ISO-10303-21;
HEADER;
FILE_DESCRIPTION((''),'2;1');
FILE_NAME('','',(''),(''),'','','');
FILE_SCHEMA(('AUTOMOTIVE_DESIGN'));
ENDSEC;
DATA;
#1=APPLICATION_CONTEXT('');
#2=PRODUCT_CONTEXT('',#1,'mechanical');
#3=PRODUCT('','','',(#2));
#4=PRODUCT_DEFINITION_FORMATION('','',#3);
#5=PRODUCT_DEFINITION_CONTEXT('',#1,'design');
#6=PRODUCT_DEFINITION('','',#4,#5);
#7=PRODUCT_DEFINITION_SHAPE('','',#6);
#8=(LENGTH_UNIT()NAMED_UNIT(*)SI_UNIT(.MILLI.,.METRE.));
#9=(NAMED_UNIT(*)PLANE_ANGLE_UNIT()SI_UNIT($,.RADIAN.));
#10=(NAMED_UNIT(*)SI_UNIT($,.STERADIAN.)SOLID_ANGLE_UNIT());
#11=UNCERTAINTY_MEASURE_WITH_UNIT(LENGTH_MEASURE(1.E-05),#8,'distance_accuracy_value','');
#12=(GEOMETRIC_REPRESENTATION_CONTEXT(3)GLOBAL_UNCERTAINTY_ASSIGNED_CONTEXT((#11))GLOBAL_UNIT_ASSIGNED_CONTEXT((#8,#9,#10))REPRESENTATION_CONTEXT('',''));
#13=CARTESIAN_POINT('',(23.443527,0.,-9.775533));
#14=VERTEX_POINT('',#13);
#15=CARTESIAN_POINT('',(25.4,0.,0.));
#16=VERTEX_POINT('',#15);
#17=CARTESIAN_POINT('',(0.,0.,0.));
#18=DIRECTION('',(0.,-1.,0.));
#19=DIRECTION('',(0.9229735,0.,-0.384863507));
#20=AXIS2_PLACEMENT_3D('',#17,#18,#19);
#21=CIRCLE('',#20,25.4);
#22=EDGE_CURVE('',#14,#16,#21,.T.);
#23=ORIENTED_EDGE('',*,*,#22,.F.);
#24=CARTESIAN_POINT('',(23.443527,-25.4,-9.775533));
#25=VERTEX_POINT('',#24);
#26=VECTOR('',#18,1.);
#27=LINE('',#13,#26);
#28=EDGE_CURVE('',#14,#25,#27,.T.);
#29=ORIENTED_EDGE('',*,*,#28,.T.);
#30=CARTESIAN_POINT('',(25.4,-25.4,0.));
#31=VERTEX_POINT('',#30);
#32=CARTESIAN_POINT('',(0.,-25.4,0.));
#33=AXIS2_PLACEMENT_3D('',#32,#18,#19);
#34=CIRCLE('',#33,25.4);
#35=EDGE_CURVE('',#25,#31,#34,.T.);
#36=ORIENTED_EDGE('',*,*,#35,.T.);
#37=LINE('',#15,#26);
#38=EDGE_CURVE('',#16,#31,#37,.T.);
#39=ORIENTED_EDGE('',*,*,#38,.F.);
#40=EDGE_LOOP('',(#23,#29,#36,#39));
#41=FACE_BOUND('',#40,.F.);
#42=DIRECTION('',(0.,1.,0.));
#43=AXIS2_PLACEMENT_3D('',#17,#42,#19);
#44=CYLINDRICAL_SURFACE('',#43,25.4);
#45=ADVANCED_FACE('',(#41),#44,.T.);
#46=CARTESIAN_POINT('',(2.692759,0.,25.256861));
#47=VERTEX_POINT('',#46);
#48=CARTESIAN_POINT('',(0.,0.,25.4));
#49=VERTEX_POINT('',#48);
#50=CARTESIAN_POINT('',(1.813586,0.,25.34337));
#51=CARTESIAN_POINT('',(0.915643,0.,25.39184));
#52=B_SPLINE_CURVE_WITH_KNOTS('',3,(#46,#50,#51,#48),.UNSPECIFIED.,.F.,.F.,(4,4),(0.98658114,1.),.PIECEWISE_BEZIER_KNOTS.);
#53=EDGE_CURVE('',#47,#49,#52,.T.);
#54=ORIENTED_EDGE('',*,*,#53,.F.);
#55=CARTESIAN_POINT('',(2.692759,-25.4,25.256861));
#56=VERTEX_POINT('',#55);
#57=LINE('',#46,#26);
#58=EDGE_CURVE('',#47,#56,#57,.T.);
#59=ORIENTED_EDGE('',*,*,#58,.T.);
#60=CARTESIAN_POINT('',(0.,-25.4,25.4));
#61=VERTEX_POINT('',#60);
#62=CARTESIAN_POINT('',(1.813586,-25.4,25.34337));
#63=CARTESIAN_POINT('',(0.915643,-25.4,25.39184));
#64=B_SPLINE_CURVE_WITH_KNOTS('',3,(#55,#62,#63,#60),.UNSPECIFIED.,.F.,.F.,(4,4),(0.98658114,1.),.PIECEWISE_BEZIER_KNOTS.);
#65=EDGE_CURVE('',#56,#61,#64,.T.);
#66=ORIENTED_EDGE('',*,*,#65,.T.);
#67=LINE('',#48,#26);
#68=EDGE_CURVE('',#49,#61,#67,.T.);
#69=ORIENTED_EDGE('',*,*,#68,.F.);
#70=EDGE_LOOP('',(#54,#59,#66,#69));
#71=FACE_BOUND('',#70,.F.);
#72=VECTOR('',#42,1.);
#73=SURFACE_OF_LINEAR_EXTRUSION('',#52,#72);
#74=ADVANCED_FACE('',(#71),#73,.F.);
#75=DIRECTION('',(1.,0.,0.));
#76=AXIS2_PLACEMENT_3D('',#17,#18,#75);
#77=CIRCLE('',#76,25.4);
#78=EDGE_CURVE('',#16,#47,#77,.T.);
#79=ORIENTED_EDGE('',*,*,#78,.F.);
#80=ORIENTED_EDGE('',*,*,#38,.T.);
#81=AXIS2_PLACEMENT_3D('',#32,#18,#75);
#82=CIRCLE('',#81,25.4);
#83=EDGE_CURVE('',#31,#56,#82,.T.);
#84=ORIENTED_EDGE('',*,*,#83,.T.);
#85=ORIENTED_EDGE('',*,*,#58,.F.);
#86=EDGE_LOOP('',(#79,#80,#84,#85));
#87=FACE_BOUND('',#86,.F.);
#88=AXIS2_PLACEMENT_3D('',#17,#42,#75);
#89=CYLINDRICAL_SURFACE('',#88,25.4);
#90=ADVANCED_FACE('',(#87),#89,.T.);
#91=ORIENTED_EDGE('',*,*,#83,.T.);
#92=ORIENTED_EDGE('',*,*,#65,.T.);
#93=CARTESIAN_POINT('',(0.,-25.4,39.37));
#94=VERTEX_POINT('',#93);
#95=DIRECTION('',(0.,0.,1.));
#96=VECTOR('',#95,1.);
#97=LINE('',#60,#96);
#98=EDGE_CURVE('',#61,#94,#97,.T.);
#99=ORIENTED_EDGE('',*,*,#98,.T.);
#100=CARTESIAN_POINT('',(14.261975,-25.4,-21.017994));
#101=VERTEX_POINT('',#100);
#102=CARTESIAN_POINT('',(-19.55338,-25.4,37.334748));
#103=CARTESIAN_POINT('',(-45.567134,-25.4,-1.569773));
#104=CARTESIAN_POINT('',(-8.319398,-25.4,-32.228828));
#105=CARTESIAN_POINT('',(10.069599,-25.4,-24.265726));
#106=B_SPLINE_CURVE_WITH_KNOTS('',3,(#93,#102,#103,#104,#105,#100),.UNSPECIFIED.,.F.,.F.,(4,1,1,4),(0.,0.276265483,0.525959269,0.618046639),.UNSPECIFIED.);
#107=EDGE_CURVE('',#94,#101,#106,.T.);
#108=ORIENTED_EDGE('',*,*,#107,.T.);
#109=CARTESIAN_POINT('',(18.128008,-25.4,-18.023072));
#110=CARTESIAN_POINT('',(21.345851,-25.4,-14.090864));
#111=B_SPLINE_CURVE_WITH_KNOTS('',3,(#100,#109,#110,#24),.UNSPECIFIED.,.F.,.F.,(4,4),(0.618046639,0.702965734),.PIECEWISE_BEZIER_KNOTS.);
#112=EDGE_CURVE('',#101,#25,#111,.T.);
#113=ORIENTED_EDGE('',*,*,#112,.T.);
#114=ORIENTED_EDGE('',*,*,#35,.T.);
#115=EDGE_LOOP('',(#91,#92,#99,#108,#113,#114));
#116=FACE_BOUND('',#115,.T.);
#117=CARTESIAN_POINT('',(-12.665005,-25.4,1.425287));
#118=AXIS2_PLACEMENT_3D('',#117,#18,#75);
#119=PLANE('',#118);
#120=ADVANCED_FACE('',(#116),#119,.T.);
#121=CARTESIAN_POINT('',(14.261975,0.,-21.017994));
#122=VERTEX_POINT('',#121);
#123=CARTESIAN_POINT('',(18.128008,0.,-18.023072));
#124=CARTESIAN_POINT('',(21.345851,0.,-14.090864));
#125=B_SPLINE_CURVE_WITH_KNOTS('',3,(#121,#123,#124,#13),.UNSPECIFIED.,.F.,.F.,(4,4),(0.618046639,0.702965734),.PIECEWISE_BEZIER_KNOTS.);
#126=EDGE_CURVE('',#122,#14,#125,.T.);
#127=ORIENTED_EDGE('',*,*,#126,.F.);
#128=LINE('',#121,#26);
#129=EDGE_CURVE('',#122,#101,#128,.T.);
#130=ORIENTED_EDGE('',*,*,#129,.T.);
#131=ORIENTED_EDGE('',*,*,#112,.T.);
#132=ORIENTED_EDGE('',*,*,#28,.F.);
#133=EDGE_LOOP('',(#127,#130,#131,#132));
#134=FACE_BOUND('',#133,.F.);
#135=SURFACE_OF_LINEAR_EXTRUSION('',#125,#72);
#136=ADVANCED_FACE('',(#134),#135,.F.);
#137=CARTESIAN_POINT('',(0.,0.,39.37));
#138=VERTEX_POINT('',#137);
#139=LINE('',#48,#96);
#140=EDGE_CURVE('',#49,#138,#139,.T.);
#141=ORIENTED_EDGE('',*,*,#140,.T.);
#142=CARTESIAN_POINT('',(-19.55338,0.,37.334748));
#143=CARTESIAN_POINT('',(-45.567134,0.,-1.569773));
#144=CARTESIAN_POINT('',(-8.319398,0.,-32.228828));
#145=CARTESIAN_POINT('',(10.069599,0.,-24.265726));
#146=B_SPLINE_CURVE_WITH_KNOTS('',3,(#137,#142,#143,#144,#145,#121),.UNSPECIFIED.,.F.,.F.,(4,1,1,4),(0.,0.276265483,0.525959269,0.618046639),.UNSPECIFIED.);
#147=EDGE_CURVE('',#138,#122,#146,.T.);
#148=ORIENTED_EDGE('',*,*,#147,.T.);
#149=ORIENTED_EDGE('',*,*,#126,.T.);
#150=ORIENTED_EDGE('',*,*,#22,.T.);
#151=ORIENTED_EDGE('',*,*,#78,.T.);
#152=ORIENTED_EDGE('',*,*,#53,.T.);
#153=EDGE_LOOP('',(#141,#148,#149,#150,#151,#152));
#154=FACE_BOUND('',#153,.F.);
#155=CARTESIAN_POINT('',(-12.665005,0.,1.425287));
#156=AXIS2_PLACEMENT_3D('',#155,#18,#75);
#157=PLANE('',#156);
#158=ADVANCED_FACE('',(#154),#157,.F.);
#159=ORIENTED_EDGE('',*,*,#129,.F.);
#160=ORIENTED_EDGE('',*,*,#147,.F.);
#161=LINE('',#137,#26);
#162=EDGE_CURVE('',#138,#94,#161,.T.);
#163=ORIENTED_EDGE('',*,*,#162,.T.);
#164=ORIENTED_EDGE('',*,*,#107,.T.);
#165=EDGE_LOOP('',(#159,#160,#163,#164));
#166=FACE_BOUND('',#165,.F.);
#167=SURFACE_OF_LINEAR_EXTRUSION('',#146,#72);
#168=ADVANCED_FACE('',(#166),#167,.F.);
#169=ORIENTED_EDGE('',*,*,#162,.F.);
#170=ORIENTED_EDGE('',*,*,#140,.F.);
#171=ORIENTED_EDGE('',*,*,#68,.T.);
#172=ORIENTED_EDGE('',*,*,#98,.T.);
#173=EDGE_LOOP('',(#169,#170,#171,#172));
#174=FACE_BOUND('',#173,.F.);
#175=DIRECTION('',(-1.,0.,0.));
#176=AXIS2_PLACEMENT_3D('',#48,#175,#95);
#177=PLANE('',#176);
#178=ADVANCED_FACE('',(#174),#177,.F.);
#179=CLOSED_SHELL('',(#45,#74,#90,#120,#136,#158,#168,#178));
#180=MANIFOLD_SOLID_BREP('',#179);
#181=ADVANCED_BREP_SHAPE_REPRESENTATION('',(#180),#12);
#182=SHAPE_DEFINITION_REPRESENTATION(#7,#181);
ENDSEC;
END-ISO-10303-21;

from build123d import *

# Parameters (mm, degrees)
F1_DEPTH = 25.4


with BuildPart() as f1:
    # F0 (on Front) → F1 (new body)
    with BuildSketch(Plane.XZ):
        with BuildLine():
            ThreePointArc((14.261975499, -21.0179935975), (-24.2797965125, -7.459992045), (0, 25.4))
            Line((0, 25.4), (0, 39.37))
            add(Edge.make_bspline(
                [(0, 39.37), (-19.553380087, 37.3347476125), (-45.5671340259, -1.5697728715), (-8.319397981, -32.2288283909), (10.069599463, -24.265725606), (14.261975499, -21.0179935975)],
                knots=[0, 0, 0, 0, 0.2762654828, 0.5259592689, 0.6180466386, 0.6180466386, 0.6180466386, 0.6180466386], degree=3))
        make_face()
        with BuildLine():
            ThreePointArc((23.4435268904, -9.7755330769), (24.9060794086, -4.9846974323), (25.4, 0))
            ThreePointArc((25.4, 0), (18.8885688435, 16.9818128315), (2.6927585006, 25.2568614768))
            add(Edge.make_bspline(
                [(2.6927585006, 25.2568614768), (1.8135864389, 25.3433698488), (0.9156429342, 25.3918395582), (0, 25.4)],
                knots=[0.9865811397, 0.9865811397, 0.9865811397, 0.9865811397, 1, 1, 1, 1], degree=3))
            ThreePointArc((0, 25.4), (-24.2797965125, -7.459992045), (14.261975499, -21.0179935975))
            add(Edge.make_bspline(
                [(14.261975499, -21.0179935975), (18.1280082, -18.0230718536), (21.3458508833, -14.0908635275), (23.4435268904, -9.7755330769)],
                knots=[0.6180466386, 0.6180466386, 0.6180466386, 0.6180466386, 0.7029657344, 0.7029657344, 0.7029657344, 0.7029657344], degree=3))
        make_face()
    extrude(amount=F1_DEPTH)


solid = f1.part
